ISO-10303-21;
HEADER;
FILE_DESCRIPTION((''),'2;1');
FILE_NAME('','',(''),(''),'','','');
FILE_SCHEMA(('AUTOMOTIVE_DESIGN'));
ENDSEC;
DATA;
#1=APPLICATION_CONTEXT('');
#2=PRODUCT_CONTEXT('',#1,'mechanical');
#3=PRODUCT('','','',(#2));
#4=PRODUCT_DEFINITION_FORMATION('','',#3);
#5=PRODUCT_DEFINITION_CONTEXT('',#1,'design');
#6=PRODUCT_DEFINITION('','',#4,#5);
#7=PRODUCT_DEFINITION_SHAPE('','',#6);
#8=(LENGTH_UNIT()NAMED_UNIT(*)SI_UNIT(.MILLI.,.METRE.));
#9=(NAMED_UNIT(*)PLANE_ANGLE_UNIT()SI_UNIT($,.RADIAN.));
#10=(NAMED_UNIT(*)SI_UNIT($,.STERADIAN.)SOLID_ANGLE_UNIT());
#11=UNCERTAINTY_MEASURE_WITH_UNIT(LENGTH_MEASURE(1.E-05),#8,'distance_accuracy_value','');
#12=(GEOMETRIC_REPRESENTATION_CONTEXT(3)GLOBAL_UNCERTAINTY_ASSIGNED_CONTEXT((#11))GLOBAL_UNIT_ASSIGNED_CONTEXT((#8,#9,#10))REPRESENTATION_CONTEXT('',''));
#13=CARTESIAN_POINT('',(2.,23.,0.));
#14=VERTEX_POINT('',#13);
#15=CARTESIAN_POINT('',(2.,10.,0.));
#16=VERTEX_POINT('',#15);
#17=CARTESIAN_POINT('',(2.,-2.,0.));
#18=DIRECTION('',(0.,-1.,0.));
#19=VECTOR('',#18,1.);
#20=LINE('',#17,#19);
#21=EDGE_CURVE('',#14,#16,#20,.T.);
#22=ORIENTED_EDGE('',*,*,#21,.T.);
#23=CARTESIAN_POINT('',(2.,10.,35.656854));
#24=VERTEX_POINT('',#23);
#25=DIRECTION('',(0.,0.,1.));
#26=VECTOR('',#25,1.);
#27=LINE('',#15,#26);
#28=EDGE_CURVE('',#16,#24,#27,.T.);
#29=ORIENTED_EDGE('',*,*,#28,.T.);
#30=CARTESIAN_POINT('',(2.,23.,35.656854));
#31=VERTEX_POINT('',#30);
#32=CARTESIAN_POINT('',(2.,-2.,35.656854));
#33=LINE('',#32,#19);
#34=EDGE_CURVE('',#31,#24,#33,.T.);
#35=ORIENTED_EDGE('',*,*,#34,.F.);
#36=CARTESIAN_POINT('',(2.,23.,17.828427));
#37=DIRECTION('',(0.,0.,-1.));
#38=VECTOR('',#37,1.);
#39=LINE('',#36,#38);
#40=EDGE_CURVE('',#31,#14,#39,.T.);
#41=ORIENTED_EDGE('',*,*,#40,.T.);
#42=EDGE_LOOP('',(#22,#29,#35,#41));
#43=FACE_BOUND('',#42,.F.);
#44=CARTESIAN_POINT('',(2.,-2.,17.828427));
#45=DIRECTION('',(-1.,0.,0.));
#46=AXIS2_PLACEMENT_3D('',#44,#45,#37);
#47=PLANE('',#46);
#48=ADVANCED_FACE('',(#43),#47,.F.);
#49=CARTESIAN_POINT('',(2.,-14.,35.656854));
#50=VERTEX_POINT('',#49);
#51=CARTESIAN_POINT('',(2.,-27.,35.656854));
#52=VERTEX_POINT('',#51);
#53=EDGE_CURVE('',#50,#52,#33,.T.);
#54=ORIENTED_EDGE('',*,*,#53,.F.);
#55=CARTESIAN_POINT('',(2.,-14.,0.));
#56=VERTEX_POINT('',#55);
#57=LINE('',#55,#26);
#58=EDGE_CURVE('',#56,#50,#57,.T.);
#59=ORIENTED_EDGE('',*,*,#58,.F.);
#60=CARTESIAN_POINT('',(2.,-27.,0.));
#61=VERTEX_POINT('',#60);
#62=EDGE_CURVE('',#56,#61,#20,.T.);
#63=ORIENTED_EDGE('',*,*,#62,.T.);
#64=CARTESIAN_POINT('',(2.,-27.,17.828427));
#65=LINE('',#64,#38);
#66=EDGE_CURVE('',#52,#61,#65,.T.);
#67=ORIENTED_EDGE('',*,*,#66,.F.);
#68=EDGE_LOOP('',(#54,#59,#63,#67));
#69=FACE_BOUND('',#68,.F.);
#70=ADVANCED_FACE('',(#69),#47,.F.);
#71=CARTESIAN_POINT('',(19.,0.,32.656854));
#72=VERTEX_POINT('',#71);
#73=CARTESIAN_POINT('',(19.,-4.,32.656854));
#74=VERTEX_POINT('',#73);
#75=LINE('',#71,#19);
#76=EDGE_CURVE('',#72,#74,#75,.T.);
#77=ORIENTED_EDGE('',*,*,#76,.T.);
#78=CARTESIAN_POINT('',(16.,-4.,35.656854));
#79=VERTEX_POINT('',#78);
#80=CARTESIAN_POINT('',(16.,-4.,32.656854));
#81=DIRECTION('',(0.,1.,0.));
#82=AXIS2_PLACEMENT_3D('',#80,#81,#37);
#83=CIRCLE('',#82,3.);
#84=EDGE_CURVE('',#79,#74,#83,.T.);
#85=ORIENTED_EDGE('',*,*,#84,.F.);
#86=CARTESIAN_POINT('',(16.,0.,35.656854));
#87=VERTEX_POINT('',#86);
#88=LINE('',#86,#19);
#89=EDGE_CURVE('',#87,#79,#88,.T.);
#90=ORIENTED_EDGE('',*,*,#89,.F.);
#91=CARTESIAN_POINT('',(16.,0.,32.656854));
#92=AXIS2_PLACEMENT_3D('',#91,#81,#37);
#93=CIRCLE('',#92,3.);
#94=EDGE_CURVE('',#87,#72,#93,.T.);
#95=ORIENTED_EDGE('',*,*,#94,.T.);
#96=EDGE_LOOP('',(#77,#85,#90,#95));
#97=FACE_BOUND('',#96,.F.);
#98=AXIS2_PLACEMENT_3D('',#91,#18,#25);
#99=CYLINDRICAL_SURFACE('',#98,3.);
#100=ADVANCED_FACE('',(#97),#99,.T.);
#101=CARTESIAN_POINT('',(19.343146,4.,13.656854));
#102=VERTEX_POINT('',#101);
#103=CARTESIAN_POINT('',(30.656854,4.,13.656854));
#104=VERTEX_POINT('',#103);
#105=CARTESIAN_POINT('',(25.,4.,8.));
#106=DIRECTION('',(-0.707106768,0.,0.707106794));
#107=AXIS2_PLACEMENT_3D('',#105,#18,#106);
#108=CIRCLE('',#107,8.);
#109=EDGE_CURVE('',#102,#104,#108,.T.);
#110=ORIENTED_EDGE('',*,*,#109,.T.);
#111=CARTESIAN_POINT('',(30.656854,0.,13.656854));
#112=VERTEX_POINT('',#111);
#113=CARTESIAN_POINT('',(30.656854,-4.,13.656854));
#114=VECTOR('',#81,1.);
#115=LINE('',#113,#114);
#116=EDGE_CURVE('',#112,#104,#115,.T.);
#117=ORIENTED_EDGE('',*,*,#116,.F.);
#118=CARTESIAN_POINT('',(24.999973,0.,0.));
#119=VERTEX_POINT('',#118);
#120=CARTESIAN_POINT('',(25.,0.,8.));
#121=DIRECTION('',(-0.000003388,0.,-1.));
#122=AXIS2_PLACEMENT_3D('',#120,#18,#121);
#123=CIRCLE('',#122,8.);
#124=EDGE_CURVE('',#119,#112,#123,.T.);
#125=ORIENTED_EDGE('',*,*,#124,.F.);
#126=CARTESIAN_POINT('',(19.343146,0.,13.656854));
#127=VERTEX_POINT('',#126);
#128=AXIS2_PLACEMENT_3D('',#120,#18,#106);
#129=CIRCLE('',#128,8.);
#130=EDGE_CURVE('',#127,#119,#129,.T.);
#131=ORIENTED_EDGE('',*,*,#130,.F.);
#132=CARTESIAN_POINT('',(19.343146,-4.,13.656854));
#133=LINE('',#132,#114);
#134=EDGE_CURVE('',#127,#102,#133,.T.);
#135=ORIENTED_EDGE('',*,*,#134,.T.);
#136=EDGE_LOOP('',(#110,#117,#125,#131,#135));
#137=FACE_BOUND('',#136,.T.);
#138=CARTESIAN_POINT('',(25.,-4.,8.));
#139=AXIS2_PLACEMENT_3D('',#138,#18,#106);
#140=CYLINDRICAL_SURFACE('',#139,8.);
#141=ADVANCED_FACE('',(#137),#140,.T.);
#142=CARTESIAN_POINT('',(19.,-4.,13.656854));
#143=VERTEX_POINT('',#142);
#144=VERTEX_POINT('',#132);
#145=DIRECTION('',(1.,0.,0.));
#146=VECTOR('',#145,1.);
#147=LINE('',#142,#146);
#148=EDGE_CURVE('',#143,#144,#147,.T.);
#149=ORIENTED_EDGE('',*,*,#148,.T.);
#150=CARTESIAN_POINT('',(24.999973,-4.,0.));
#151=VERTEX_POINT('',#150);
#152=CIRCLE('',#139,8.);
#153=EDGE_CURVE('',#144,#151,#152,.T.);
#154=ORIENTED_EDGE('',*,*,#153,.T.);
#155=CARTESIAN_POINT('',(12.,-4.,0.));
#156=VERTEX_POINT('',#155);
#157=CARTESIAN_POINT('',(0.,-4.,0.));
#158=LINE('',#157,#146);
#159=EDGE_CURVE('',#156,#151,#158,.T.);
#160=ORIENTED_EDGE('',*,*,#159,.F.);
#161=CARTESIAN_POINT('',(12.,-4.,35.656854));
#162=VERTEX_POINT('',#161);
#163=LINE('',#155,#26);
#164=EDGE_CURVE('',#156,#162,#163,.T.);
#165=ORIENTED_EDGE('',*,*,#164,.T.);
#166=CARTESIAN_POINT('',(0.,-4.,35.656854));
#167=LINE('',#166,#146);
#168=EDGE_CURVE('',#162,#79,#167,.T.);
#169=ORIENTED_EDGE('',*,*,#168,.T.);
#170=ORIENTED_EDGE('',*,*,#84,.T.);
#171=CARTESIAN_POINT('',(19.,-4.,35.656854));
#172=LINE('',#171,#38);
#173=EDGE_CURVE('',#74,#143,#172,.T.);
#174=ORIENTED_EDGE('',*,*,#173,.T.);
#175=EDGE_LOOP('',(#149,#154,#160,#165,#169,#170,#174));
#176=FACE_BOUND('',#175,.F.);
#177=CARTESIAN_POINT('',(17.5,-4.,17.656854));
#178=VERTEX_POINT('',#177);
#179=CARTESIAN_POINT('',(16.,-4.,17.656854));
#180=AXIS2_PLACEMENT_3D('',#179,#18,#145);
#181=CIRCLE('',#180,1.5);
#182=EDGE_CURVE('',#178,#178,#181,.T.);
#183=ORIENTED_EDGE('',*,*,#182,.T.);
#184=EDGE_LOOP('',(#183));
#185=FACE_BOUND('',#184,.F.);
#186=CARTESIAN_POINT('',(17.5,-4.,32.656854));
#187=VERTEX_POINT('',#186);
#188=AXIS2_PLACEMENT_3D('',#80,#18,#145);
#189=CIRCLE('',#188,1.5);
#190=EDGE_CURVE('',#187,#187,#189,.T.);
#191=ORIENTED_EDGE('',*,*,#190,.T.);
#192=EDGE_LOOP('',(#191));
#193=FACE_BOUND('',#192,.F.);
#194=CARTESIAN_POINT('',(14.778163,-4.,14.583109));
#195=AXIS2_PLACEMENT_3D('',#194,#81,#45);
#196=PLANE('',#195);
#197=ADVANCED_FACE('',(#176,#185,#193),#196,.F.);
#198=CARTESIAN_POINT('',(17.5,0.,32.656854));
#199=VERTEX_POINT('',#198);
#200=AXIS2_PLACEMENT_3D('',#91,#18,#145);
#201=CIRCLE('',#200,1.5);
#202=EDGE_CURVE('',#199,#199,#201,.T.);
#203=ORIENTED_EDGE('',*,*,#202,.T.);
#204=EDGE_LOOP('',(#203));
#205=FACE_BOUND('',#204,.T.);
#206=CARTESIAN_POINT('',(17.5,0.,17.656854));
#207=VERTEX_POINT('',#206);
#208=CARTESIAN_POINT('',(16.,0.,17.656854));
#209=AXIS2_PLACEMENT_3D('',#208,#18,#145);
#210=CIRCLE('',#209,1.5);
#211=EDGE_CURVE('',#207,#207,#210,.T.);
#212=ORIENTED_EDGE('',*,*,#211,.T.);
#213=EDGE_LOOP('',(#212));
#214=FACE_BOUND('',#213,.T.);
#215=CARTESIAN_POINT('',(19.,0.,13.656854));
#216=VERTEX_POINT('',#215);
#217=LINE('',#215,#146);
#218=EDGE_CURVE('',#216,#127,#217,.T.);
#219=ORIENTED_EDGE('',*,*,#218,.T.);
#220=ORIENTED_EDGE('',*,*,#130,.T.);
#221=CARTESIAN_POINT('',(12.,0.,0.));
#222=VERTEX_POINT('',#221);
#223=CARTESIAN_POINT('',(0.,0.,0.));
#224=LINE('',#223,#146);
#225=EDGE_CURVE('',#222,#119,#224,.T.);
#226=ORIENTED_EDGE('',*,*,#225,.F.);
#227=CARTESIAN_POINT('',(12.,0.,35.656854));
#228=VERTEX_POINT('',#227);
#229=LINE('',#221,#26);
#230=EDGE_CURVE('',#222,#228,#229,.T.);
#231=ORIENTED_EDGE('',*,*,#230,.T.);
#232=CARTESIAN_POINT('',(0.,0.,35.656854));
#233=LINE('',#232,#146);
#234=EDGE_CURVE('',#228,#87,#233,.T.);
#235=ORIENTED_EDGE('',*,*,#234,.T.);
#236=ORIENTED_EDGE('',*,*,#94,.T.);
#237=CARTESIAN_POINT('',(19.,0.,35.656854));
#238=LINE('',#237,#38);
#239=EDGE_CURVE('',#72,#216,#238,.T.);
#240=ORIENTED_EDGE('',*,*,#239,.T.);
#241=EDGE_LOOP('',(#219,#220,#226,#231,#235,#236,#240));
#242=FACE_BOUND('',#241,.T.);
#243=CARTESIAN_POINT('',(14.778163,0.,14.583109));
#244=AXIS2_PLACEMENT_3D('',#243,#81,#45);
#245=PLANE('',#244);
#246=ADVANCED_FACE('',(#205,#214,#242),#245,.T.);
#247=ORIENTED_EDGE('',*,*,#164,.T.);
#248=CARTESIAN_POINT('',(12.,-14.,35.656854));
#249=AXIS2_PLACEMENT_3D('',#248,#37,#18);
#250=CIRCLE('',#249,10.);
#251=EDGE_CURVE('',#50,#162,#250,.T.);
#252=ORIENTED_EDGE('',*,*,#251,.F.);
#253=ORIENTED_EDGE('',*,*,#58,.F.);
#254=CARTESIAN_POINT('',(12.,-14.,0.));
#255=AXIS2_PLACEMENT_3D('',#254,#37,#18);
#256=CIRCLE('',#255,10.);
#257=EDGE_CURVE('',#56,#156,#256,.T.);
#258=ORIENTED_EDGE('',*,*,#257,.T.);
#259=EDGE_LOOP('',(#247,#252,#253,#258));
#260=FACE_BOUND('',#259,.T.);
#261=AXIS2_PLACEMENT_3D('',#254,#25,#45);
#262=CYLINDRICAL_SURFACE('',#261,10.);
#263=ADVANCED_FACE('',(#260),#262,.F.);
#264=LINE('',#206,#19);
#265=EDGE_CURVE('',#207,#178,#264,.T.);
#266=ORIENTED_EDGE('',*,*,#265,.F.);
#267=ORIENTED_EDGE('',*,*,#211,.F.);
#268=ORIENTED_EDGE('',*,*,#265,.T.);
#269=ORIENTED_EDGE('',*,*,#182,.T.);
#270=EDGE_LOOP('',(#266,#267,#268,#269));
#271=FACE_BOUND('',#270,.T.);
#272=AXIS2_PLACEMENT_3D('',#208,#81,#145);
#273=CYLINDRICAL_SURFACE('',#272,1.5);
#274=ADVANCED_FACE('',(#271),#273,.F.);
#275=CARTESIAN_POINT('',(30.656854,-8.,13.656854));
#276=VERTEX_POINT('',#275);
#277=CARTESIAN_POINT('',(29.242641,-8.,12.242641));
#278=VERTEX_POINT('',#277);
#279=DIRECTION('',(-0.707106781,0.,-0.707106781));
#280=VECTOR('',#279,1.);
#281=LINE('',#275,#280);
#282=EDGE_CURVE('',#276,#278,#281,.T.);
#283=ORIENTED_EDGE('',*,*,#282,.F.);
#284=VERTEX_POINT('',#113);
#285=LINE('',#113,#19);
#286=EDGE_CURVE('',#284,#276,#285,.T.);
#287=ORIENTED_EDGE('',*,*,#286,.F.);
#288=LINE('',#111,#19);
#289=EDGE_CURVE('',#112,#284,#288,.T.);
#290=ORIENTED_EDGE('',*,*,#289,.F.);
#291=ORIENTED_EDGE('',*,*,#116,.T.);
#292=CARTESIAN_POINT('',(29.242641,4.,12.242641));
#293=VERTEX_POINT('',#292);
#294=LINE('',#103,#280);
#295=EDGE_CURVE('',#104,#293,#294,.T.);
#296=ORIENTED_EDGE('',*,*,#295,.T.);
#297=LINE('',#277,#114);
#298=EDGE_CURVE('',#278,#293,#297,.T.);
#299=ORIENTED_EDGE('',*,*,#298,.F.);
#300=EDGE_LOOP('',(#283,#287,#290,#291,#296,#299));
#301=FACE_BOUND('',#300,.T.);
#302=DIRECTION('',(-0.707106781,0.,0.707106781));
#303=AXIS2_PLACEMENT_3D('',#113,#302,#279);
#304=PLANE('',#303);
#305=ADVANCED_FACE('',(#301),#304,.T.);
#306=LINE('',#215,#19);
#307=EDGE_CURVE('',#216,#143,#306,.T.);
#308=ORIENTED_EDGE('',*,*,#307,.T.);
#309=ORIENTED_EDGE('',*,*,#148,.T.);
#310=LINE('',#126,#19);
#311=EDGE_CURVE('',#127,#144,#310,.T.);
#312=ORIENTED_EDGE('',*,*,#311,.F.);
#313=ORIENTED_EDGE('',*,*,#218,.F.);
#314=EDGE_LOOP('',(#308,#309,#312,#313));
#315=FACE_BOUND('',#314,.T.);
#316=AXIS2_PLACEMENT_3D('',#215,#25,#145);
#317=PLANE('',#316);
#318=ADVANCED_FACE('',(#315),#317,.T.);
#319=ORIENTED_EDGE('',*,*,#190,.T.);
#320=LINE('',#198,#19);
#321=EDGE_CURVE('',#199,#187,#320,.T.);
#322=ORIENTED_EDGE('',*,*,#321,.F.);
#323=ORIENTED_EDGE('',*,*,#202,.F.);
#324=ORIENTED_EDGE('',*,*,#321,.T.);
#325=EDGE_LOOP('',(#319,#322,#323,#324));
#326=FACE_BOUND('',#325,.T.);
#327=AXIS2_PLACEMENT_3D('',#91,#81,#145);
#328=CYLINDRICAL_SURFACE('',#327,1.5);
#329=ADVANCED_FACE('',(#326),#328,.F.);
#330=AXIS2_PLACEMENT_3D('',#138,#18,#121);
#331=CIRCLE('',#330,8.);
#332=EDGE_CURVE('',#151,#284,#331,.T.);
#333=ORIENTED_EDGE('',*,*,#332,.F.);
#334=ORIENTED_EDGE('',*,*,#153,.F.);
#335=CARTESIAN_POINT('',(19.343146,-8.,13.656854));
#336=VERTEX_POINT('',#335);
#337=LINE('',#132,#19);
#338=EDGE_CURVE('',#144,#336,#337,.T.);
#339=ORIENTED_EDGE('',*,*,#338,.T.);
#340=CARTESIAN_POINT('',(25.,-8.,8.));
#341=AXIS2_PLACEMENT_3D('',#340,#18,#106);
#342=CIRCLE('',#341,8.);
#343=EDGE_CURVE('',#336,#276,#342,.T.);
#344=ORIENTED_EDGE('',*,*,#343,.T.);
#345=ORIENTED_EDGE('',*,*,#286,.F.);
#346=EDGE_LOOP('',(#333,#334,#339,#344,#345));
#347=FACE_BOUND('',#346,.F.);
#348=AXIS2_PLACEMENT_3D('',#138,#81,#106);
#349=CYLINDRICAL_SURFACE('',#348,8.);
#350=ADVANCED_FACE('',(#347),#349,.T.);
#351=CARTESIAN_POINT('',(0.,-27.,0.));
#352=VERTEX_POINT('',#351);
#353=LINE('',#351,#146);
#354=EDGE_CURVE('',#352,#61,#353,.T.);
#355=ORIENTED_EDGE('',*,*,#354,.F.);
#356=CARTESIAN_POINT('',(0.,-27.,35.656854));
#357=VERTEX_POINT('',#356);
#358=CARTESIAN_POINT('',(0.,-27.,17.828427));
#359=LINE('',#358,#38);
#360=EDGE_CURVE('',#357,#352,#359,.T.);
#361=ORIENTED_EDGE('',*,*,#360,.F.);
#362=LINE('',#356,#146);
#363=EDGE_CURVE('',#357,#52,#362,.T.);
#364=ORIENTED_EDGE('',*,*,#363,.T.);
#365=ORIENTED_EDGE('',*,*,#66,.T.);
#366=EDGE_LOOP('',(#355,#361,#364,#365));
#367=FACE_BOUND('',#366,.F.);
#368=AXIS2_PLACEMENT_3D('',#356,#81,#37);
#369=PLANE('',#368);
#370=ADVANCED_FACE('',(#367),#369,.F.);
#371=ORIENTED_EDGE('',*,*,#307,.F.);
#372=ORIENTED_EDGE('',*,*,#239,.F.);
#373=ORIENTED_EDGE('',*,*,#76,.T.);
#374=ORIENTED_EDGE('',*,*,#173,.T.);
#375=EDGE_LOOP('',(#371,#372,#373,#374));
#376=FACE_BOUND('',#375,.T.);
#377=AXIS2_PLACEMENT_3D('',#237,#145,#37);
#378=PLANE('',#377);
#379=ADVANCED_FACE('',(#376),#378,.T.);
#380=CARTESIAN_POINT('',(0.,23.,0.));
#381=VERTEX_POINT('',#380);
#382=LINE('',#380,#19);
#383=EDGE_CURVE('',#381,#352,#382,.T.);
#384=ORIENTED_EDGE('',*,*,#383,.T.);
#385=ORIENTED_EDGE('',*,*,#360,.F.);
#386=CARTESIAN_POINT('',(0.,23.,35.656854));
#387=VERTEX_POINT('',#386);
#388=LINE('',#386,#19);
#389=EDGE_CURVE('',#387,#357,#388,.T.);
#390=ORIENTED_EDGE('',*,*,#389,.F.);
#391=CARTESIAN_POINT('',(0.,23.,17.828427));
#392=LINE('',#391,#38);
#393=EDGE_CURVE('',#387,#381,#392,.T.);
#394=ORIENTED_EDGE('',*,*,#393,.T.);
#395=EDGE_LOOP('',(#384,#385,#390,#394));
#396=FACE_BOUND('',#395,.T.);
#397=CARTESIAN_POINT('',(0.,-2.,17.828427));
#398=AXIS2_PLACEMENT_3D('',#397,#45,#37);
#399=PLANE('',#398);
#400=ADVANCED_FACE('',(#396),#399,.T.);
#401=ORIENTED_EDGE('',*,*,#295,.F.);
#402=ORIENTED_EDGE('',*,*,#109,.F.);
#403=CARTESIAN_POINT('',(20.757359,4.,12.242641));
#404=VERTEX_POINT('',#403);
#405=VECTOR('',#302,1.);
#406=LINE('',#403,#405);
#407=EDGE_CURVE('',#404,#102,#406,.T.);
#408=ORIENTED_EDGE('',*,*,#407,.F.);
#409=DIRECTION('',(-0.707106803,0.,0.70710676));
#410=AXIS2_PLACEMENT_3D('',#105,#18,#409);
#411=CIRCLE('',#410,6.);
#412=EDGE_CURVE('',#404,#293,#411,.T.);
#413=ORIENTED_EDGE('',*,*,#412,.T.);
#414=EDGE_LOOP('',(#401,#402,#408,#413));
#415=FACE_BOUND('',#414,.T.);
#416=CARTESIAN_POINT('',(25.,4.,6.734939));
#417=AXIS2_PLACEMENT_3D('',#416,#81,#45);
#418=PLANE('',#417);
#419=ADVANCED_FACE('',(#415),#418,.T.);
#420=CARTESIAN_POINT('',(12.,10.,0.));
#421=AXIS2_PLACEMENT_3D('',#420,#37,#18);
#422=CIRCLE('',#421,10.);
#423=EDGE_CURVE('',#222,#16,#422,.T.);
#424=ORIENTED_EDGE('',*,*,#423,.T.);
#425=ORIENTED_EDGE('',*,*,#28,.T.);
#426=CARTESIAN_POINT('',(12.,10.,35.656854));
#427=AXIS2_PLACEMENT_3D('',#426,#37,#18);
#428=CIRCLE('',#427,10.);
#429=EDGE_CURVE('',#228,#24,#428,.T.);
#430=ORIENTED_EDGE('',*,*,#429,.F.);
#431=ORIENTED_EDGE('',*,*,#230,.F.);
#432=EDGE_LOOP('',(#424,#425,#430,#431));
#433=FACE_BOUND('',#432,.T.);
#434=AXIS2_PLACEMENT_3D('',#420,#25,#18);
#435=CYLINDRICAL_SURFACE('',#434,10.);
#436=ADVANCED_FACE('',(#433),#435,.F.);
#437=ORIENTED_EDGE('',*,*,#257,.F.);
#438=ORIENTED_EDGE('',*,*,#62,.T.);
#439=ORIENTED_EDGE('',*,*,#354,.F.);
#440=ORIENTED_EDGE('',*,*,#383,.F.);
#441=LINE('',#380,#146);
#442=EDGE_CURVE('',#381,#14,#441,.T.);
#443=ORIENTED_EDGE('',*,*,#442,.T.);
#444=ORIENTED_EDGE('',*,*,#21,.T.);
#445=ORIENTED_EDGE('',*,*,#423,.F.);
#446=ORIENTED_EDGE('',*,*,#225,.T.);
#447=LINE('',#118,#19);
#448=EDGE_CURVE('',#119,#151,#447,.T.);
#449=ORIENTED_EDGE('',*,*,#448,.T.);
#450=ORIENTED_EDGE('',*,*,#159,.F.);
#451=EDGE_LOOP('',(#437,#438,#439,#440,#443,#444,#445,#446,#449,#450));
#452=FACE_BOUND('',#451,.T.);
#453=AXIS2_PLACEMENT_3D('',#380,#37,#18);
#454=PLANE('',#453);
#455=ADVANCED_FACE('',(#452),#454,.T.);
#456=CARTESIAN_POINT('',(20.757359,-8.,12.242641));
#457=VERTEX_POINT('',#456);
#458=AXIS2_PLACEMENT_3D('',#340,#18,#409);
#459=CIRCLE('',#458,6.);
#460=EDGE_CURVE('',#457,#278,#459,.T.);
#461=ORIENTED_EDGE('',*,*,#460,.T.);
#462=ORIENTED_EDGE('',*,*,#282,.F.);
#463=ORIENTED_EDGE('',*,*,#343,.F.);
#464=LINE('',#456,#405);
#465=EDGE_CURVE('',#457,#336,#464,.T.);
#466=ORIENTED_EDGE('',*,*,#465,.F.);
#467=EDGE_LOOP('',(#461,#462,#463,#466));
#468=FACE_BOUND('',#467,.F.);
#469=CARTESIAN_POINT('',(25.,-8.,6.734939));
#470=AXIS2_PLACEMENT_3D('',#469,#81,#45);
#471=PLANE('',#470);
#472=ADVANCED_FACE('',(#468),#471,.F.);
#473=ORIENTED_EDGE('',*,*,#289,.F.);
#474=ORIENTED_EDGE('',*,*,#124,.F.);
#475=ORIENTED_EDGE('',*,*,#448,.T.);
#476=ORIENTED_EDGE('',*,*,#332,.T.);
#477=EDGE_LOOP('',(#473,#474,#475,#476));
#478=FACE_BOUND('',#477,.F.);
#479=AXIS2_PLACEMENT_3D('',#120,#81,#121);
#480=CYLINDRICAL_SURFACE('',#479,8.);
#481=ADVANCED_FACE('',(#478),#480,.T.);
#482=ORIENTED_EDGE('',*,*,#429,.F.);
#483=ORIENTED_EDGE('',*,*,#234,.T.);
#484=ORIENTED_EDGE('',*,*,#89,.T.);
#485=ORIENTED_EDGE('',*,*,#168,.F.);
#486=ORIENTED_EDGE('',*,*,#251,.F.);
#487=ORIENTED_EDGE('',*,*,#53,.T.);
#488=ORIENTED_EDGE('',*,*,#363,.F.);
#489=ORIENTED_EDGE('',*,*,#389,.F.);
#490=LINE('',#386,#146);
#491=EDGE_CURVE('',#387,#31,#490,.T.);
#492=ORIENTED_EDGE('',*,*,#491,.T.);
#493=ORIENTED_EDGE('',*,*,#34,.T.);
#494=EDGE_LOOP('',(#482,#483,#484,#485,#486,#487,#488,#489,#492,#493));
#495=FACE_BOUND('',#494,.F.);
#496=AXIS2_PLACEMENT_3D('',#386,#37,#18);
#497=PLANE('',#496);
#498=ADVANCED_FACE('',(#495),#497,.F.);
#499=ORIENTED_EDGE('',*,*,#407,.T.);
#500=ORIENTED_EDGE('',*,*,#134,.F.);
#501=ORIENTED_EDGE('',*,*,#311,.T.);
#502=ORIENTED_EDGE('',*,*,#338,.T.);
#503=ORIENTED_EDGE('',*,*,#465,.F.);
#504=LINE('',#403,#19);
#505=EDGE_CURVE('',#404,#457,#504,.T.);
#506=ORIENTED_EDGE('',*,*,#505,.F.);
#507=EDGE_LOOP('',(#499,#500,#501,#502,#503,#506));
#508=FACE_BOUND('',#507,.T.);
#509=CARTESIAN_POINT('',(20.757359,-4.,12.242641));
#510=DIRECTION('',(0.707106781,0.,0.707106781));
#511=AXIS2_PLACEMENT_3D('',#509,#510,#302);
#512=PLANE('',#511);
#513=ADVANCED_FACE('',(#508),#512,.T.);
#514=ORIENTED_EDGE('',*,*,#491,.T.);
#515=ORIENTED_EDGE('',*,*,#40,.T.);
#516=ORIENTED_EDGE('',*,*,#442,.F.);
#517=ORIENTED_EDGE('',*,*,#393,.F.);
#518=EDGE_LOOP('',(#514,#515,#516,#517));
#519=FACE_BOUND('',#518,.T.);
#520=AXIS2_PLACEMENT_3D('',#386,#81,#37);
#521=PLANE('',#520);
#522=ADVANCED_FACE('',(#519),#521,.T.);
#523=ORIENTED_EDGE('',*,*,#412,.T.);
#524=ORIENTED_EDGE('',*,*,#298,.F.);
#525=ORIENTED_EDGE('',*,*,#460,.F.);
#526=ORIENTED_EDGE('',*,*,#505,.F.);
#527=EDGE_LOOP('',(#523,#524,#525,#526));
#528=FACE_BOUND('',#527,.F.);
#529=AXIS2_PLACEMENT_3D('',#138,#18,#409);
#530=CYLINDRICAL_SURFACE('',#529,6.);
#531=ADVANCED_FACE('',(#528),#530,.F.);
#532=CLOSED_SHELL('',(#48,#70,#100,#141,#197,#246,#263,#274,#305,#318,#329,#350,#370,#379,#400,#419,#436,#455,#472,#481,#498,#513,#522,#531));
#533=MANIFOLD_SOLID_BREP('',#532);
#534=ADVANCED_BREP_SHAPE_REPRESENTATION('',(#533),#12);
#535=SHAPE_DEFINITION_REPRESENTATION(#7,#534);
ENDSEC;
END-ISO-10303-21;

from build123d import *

# Parameters (mm, degrees)
SKETCH_R          = 1.5
PAD_DEPTH         = 4
PAD001_DEPTH      = 4
PAD001_DEPTH_BACK = 8
SKETCH002_W       = 35.656854
SKETCH002_H       = 50
PAD002_DEPTH      = 2
FILLET_R          = 10
FILLET001_R       = 3


with BuildPart() as part:
    # Sketch → Pad (new body)
    with BuildSketch(Plane.XZ):
        with BuildLine():
            ThreePointArc((20.757359, 12.242641), (25, 2), (29.242641, 12.242641))
            Line((30.656854, 13.656854), (29.242641, 12.242641))
            ThreePointArc((24.999973, 0), (32.391031, 4.93852), (30.656854, 13.656854))
            Line((0, 0), (24.999973, 0))
            Line((0, 35.656854), (0, 0))
            Line((0, 35.656854), (19, 35.656854))
            Line((19, 35.656854), (19, 13.656854))
            Line((19, 13.656854), (19.343146, 13.656854))
            Line((19.343146, 13.656854), (20.757359, 12.242641))
        make_face()
        with Locations((16, 32.656854)):
            Circle(SKETCH_R, mode=Mode.SUBTRACT)
        with Locations((16, 17.656854)):
            Circle(SKETCH_R, mode=Mode.SUBTRACT)
    extrude(amount=PAD_DEPTH)

    # Sketch001 → Pad001 (new body, two sides)
    with BuildSketch(Plane.XZ.offset(4)) as pad001_sk:
        with BuildLine():
            ThreePointArc((20.757359, 12.242641), (25, 2), (29.242641, 12.242641))
            Line((30.656854, 13.656854), (29.242641, 12.242641))
            ThreePointArc((19.343146, 13.656854), (25, 0), (30.656854, 13.656854))
            Line((20.757359, 12.242641), (19.343146, 13.656854))
        make_face()
    extrude(amount=PAD001_DEPTH)
    extrude(pad001_sk.sketch, amount=-PAD001_DEPTH_BACK)

    # Sketch002 → Pad002 (new body)
    with BuildSketch(Plane(origin=(0, 0, 0), x_dir=(0, 0, -1), z_dir=(-1, 0, 0))):
        with Locations((-17.828427, 2)):
            Rectangle(SKETCH002_W, SKETCH002_H)
    extrude(amount=-PAD002_DEPTH)

    # Fillet
    fillet_edges = [part.edges().sort_by_distance(p)[0] for p in [
        (2, -4, 17.828427),
        (2, 0, 17.828427),
    ]]
    fillet(fillet_edges, radius=FILLET_R)

    # Fillet001
    fillet001_edges = [part.edges().sort_by_distance(p)[0] for p in [
        (19, -2, 35.656854),
    ]]
    fillet(fillet001_edges, radius=FILLET001_R)


solid = part.part
